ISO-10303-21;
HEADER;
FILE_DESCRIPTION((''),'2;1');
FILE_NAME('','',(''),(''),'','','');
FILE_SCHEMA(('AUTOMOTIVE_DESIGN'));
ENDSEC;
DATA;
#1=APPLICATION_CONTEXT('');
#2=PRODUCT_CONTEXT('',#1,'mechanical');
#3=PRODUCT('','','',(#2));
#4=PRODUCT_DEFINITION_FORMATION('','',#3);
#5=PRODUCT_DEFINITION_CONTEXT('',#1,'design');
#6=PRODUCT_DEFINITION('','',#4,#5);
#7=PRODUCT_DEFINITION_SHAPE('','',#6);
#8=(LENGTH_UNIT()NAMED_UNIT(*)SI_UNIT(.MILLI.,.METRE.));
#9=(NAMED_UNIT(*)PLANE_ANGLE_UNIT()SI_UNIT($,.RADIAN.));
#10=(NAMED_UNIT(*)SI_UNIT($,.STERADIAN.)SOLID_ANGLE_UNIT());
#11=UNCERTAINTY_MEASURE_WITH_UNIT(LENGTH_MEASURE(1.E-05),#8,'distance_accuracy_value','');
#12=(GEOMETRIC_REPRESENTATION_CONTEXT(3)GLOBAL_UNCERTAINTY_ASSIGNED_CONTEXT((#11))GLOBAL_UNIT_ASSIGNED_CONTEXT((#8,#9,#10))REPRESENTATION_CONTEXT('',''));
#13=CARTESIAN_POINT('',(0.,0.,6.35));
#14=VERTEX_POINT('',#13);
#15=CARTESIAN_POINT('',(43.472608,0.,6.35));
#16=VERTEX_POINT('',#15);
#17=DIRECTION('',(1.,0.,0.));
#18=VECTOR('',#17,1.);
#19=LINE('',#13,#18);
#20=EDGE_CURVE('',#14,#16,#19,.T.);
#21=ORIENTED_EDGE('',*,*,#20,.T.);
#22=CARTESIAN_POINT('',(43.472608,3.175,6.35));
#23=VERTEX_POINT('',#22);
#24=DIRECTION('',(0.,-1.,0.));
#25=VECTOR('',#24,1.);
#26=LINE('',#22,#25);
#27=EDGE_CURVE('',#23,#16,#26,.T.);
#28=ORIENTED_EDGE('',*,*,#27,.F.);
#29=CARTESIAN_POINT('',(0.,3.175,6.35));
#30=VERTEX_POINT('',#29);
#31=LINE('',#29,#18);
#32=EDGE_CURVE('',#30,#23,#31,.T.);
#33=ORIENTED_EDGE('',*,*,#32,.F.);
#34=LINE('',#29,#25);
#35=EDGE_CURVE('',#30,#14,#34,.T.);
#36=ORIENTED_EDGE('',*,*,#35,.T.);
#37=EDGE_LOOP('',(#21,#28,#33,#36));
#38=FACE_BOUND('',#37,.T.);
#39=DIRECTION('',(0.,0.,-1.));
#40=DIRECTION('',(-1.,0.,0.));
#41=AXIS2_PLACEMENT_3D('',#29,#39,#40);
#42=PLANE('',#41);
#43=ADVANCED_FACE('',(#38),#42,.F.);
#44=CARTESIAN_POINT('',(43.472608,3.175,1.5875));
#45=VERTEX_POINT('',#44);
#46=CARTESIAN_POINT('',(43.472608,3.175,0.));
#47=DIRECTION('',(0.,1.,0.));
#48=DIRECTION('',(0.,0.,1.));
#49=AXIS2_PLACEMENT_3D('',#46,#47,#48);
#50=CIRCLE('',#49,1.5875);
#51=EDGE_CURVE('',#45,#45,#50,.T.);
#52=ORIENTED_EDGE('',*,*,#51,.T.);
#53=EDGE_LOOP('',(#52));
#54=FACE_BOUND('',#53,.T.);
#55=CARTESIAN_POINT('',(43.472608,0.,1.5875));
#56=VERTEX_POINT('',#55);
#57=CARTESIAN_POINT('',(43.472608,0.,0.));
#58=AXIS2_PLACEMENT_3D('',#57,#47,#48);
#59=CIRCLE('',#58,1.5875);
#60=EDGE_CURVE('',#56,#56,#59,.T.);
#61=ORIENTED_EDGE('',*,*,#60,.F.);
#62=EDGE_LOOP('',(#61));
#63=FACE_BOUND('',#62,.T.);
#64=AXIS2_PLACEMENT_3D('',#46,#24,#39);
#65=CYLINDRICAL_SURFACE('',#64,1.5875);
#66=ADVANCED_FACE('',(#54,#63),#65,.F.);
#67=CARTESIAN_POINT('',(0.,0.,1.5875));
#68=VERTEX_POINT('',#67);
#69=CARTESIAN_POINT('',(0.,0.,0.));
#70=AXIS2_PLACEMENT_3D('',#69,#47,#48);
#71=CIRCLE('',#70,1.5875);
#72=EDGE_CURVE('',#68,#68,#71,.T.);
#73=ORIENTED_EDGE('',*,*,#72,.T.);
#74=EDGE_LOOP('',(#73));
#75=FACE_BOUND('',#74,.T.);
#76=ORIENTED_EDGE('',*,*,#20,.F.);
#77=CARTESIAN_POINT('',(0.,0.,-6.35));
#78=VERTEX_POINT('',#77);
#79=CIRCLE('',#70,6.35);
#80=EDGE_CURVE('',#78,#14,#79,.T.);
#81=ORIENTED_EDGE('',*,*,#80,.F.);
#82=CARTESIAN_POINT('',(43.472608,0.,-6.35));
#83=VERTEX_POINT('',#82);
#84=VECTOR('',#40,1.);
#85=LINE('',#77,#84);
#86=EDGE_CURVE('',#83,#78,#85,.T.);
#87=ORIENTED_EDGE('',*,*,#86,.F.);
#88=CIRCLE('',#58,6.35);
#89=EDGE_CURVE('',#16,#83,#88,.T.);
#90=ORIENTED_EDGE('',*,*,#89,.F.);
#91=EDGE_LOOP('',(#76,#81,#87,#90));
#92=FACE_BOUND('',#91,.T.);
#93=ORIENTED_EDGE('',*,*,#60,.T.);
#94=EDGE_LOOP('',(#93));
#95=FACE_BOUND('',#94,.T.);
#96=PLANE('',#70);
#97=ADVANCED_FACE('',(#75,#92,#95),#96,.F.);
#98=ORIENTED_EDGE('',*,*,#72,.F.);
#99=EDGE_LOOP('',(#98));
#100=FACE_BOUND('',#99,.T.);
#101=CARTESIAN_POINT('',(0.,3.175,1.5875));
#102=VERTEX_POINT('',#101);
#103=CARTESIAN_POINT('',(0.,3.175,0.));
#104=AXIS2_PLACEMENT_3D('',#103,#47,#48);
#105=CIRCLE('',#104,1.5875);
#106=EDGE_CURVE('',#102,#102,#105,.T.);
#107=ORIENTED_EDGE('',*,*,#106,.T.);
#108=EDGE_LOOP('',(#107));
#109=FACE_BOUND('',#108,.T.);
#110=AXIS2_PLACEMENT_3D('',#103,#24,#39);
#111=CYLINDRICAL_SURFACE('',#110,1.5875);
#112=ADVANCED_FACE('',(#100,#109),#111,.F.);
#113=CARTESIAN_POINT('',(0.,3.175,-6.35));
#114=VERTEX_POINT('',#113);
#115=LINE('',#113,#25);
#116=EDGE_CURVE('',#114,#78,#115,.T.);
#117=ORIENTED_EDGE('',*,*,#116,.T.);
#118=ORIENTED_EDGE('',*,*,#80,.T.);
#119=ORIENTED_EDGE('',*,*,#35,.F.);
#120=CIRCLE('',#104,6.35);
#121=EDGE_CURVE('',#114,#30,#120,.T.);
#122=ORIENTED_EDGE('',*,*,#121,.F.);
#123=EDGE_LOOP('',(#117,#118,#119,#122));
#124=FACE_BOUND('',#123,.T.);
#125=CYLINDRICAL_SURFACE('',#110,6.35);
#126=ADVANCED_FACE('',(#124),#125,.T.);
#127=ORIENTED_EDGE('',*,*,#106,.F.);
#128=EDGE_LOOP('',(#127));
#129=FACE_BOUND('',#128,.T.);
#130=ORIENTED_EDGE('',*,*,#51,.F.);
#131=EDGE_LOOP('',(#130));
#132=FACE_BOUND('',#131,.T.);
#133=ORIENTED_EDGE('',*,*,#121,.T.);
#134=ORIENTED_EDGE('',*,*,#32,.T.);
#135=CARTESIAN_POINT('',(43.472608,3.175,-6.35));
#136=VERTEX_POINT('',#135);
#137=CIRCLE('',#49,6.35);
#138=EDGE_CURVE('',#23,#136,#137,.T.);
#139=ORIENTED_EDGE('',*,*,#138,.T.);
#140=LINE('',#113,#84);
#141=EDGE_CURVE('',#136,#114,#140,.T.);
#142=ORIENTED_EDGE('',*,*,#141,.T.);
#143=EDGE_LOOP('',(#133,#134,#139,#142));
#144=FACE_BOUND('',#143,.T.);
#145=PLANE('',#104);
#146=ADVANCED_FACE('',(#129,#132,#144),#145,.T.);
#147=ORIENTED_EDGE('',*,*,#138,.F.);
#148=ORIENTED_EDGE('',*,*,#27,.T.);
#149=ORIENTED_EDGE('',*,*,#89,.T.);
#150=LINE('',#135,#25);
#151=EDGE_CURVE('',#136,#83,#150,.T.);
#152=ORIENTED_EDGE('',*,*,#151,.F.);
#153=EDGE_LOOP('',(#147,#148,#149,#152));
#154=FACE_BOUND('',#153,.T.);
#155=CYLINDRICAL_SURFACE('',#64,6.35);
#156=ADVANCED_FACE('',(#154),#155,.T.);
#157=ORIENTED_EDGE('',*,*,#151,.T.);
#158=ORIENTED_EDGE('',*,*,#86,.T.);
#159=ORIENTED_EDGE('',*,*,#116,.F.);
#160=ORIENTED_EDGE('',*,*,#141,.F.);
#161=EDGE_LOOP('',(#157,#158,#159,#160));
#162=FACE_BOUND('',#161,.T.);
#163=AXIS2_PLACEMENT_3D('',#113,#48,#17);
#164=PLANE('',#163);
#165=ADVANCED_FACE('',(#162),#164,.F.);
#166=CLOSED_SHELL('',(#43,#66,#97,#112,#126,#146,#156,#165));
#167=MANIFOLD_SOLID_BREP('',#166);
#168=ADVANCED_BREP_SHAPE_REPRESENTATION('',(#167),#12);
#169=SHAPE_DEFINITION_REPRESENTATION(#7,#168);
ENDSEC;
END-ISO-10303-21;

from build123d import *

# Parameters (mm, degrees)
SKETCH1_R           = 1.5875
BOSS_EXTRUDE1_DEPTH = 3.175


with BuildPart() as part:
    # Sketch1 → Boss-Extrude1 (new body)
    with BuildSketch(Plane(origin=(0, 0, 0), x_dir=(1, 0, 0), z_dir=(0, 1, 0))):
        with BuildLine():
            Line((0, 6.35), (43.472608, 6.35))
            ThreePointArc((43.472608, 6.35), (49.822608, 0), (43.472608, -6.35))
            Line((43.472608, -6.35), (0, -6.35))
            ThreePointArc((0, -6.35), (-6.35, 0), (0, 6.35))
        make_face()
        Circle(SKETCH1_R, mode=Mode.SUBTRACT)
        with Locations((43.472608, 0)):
            Circle(SKETCH1_R, mode=Mode.SUBTRACT)
    extrude(amount=BOSS_EXTRUDE1_DEPTH)


solid = part.part
